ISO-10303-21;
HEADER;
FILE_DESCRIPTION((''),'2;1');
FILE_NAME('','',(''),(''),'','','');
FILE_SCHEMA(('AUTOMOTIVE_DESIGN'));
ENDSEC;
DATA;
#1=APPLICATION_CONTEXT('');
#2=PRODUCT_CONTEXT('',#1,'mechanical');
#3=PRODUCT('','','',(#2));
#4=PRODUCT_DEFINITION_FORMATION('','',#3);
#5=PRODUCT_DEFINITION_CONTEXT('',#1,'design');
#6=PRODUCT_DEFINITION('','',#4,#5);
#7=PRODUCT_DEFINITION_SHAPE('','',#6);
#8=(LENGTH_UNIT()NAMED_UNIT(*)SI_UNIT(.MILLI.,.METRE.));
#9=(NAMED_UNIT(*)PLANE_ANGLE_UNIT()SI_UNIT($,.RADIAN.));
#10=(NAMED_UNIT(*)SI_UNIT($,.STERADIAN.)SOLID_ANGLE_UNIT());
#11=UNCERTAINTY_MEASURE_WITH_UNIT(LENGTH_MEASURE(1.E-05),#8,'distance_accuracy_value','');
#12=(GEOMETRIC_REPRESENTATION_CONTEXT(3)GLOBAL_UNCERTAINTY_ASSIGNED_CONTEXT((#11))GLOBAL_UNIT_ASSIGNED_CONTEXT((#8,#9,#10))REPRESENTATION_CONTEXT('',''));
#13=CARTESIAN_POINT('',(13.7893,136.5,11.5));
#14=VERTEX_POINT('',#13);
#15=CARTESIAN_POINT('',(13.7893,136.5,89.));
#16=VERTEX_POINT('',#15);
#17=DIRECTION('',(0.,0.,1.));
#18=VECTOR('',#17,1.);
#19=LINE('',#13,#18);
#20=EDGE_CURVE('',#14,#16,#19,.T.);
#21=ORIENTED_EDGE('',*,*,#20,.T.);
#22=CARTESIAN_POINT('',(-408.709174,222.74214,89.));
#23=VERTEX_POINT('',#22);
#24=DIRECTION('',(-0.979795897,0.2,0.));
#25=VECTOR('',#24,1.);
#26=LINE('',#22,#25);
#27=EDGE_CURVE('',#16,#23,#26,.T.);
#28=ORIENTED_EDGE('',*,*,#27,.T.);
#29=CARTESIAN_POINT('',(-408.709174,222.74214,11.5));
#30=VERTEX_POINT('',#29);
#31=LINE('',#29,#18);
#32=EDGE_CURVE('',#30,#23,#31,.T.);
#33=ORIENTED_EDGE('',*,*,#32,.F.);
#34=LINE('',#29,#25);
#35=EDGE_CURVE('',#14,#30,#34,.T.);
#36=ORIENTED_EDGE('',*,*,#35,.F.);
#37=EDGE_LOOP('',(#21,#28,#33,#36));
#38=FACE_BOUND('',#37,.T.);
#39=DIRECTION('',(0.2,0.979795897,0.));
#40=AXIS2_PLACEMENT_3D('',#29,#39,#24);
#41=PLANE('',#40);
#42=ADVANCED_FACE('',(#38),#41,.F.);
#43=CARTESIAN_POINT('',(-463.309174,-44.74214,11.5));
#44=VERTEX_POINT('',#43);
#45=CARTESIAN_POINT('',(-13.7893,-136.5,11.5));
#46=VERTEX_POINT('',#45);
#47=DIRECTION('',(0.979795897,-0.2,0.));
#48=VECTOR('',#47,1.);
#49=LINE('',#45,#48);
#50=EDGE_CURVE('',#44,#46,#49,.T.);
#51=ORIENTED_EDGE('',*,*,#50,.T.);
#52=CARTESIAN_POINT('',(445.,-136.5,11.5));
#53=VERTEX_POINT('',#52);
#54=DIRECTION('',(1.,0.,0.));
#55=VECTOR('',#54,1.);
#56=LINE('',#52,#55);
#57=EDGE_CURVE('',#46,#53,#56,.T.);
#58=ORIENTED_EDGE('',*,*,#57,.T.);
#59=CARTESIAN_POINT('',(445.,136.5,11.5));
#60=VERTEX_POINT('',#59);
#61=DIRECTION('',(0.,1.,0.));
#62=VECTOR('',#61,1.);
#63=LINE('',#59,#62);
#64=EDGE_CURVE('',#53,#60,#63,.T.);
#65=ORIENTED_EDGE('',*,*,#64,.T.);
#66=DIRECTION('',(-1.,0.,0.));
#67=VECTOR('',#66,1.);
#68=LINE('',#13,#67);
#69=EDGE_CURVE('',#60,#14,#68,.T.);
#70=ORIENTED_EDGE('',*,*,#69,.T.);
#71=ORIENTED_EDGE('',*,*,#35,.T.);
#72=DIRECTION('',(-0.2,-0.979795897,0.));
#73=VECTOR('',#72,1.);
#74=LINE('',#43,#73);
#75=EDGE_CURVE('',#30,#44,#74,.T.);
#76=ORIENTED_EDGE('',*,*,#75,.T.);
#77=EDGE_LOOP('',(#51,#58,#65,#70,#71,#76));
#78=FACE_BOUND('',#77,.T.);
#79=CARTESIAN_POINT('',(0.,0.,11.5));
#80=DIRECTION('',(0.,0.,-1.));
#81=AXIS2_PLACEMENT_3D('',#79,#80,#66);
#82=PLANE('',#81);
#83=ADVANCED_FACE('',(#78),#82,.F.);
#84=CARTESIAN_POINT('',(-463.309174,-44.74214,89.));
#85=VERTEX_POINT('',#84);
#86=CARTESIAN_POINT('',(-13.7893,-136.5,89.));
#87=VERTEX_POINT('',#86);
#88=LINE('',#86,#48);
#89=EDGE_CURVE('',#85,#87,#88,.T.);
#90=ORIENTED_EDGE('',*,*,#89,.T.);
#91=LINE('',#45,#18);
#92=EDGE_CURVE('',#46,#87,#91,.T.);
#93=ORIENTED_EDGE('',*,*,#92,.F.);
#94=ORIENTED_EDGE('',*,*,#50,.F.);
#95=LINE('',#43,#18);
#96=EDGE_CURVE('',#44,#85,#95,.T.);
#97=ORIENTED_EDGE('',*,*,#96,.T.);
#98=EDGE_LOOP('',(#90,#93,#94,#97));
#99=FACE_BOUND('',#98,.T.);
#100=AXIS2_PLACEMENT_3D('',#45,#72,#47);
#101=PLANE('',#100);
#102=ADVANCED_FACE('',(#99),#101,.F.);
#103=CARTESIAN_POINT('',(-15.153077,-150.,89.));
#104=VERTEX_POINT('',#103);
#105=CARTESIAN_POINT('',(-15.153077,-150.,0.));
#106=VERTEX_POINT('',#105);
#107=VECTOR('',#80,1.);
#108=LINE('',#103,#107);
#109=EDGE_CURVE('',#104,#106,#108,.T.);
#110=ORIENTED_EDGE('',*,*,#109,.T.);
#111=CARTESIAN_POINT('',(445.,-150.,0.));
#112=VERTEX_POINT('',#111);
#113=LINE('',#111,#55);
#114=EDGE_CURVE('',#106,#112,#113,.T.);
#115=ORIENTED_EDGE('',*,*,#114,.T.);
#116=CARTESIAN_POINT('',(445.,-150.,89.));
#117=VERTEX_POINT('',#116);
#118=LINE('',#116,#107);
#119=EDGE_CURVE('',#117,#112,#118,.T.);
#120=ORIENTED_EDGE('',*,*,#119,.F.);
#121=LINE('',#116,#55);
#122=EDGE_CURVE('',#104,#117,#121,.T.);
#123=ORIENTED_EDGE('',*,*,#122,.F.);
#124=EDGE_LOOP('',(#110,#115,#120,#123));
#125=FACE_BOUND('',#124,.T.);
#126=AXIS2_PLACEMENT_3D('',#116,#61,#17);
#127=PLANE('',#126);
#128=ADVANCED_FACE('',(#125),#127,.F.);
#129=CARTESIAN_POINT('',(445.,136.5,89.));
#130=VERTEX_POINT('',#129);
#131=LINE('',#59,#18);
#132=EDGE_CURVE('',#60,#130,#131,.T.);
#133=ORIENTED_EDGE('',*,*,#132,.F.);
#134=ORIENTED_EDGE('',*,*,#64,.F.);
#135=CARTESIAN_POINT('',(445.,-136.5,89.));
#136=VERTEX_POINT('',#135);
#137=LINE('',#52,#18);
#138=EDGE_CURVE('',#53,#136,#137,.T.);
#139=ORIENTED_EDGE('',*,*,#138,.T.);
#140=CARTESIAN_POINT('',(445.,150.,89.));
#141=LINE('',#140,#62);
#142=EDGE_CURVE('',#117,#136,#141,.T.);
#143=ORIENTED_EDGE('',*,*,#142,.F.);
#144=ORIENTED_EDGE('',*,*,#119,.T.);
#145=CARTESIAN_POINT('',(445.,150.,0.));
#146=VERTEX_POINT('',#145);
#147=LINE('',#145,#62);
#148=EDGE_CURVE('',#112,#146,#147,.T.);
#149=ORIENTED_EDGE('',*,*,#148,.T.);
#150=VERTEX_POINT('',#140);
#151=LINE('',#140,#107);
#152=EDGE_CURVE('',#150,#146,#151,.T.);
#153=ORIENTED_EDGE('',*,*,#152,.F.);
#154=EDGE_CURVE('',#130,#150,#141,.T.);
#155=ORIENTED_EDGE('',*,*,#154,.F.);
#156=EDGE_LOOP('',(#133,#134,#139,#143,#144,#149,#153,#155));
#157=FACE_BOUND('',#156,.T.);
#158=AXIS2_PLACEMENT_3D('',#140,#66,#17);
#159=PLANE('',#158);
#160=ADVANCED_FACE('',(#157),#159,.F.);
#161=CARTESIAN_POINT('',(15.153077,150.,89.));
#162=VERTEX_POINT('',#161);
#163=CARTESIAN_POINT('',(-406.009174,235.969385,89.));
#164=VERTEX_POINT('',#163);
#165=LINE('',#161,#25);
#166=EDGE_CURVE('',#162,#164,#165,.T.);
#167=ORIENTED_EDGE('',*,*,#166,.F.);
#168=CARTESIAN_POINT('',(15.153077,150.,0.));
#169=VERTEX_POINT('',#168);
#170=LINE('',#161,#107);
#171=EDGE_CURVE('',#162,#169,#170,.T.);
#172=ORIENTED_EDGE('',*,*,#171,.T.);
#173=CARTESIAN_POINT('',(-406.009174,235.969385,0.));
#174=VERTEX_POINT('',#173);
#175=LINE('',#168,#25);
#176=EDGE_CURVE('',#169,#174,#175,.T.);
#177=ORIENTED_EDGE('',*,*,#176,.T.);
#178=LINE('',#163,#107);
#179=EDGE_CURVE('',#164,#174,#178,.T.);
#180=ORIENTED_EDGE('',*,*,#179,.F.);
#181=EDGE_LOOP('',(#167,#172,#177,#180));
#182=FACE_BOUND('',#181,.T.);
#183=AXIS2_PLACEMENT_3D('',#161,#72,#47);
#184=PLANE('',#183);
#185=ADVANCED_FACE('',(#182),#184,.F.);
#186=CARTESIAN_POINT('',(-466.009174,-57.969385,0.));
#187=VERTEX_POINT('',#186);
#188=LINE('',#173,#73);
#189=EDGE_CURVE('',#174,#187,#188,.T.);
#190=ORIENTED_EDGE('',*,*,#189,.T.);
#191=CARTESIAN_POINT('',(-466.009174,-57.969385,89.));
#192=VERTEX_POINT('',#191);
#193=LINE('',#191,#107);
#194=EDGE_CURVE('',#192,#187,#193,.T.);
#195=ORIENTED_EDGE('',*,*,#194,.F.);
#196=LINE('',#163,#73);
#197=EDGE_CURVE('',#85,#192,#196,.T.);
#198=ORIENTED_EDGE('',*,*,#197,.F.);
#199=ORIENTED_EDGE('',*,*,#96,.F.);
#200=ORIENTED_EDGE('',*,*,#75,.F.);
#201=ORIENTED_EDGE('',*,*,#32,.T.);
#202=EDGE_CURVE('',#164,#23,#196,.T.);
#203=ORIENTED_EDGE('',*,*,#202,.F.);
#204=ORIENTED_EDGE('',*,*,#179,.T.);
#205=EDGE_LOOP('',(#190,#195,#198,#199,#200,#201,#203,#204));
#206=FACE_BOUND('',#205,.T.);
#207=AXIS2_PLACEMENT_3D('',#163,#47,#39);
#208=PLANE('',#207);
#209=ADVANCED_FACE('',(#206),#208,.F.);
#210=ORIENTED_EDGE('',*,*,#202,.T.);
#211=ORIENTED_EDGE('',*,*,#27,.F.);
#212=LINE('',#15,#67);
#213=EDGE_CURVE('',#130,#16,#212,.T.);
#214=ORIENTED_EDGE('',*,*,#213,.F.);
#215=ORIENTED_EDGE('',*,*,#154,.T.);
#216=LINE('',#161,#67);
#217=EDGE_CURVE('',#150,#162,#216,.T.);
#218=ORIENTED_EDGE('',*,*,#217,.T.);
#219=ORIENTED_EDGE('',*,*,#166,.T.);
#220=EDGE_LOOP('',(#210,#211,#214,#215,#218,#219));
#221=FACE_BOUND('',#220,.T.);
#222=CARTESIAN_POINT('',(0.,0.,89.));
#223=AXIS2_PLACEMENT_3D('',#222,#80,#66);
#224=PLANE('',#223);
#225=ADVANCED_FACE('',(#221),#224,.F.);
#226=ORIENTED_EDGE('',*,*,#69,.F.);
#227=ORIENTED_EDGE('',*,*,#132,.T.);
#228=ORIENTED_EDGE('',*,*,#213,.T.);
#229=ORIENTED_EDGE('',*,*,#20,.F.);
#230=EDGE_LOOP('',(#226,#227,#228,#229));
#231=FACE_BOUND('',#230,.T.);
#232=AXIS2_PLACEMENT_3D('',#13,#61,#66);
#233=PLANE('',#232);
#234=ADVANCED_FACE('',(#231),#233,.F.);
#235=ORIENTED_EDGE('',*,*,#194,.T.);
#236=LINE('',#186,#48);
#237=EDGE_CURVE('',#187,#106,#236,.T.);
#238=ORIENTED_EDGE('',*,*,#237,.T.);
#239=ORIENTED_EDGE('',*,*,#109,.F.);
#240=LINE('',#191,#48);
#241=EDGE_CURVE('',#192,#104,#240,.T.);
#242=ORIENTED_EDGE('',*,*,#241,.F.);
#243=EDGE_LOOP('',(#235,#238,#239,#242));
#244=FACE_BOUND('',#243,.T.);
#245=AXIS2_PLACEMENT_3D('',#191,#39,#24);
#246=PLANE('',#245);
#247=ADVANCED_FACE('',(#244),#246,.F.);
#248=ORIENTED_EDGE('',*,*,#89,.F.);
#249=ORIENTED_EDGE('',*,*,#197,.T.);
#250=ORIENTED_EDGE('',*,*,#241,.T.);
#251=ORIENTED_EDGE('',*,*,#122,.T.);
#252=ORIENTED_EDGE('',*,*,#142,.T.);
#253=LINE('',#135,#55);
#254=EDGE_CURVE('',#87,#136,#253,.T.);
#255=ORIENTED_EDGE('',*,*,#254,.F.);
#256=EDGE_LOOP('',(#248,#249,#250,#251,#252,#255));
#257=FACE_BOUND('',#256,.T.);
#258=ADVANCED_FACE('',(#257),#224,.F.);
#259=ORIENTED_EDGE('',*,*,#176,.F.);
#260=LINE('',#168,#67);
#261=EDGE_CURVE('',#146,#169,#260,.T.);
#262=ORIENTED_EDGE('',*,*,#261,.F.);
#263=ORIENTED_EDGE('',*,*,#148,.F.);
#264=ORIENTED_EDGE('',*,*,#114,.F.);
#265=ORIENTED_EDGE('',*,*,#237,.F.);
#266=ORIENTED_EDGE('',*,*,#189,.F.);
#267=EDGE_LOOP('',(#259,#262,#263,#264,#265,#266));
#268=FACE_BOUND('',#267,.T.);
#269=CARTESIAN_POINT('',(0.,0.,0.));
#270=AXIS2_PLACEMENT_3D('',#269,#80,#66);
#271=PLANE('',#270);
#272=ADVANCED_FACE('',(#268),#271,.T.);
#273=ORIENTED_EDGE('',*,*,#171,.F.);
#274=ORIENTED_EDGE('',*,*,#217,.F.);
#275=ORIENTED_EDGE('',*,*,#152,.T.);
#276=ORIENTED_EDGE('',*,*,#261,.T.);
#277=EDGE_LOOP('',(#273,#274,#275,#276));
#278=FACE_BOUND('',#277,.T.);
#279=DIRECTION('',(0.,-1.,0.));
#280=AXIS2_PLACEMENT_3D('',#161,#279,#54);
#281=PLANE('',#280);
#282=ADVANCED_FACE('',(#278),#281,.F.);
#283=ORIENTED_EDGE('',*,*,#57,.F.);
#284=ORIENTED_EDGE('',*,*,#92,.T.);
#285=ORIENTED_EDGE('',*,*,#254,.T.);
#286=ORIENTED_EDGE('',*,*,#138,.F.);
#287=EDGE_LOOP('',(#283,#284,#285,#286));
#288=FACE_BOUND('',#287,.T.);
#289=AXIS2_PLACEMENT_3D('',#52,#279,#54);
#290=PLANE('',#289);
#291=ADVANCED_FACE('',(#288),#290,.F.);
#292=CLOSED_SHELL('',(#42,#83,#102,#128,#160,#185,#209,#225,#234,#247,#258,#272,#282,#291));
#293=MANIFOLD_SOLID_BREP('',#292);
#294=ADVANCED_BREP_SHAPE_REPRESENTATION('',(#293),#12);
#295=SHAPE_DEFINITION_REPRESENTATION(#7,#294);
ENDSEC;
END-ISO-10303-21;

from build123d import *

# Parameters (mm, degrees)
EXTRUDE_1_DEPTH     = 89
CUT_EXTRUDE_1_DEPTH = 77.5


with BuildPart() as part:
    # 草图2 → 凸台-拉伸1 (new body)
    with BuildSketch(Plane.XY):
        Polygon((15.153077165, 150), (445, 150), (445, -150), (-15.153077165, -150), (-466.009174215, -57.969384567), (-406.009174215, 235.969384567), align=None)
    extrude(amount=EXTRUDE_1_DEPTH)

    # 草图3 → 切除-拉伸1 (cut)
    with BuildSketch(Plane.XY.offset(89)):
        Polygon((-408.709174215, 222.742139956), (13.78930022, 136.5), (445, 136.5), (445, -136.5), (-13.78930022, -136.5), (-463.309174215, -44.742139956), align=None)
    extrude(amount=-CUT_EXTRUDE_1_DEPTH, mode=Mode.SUBTRACT)


solid = part.part
